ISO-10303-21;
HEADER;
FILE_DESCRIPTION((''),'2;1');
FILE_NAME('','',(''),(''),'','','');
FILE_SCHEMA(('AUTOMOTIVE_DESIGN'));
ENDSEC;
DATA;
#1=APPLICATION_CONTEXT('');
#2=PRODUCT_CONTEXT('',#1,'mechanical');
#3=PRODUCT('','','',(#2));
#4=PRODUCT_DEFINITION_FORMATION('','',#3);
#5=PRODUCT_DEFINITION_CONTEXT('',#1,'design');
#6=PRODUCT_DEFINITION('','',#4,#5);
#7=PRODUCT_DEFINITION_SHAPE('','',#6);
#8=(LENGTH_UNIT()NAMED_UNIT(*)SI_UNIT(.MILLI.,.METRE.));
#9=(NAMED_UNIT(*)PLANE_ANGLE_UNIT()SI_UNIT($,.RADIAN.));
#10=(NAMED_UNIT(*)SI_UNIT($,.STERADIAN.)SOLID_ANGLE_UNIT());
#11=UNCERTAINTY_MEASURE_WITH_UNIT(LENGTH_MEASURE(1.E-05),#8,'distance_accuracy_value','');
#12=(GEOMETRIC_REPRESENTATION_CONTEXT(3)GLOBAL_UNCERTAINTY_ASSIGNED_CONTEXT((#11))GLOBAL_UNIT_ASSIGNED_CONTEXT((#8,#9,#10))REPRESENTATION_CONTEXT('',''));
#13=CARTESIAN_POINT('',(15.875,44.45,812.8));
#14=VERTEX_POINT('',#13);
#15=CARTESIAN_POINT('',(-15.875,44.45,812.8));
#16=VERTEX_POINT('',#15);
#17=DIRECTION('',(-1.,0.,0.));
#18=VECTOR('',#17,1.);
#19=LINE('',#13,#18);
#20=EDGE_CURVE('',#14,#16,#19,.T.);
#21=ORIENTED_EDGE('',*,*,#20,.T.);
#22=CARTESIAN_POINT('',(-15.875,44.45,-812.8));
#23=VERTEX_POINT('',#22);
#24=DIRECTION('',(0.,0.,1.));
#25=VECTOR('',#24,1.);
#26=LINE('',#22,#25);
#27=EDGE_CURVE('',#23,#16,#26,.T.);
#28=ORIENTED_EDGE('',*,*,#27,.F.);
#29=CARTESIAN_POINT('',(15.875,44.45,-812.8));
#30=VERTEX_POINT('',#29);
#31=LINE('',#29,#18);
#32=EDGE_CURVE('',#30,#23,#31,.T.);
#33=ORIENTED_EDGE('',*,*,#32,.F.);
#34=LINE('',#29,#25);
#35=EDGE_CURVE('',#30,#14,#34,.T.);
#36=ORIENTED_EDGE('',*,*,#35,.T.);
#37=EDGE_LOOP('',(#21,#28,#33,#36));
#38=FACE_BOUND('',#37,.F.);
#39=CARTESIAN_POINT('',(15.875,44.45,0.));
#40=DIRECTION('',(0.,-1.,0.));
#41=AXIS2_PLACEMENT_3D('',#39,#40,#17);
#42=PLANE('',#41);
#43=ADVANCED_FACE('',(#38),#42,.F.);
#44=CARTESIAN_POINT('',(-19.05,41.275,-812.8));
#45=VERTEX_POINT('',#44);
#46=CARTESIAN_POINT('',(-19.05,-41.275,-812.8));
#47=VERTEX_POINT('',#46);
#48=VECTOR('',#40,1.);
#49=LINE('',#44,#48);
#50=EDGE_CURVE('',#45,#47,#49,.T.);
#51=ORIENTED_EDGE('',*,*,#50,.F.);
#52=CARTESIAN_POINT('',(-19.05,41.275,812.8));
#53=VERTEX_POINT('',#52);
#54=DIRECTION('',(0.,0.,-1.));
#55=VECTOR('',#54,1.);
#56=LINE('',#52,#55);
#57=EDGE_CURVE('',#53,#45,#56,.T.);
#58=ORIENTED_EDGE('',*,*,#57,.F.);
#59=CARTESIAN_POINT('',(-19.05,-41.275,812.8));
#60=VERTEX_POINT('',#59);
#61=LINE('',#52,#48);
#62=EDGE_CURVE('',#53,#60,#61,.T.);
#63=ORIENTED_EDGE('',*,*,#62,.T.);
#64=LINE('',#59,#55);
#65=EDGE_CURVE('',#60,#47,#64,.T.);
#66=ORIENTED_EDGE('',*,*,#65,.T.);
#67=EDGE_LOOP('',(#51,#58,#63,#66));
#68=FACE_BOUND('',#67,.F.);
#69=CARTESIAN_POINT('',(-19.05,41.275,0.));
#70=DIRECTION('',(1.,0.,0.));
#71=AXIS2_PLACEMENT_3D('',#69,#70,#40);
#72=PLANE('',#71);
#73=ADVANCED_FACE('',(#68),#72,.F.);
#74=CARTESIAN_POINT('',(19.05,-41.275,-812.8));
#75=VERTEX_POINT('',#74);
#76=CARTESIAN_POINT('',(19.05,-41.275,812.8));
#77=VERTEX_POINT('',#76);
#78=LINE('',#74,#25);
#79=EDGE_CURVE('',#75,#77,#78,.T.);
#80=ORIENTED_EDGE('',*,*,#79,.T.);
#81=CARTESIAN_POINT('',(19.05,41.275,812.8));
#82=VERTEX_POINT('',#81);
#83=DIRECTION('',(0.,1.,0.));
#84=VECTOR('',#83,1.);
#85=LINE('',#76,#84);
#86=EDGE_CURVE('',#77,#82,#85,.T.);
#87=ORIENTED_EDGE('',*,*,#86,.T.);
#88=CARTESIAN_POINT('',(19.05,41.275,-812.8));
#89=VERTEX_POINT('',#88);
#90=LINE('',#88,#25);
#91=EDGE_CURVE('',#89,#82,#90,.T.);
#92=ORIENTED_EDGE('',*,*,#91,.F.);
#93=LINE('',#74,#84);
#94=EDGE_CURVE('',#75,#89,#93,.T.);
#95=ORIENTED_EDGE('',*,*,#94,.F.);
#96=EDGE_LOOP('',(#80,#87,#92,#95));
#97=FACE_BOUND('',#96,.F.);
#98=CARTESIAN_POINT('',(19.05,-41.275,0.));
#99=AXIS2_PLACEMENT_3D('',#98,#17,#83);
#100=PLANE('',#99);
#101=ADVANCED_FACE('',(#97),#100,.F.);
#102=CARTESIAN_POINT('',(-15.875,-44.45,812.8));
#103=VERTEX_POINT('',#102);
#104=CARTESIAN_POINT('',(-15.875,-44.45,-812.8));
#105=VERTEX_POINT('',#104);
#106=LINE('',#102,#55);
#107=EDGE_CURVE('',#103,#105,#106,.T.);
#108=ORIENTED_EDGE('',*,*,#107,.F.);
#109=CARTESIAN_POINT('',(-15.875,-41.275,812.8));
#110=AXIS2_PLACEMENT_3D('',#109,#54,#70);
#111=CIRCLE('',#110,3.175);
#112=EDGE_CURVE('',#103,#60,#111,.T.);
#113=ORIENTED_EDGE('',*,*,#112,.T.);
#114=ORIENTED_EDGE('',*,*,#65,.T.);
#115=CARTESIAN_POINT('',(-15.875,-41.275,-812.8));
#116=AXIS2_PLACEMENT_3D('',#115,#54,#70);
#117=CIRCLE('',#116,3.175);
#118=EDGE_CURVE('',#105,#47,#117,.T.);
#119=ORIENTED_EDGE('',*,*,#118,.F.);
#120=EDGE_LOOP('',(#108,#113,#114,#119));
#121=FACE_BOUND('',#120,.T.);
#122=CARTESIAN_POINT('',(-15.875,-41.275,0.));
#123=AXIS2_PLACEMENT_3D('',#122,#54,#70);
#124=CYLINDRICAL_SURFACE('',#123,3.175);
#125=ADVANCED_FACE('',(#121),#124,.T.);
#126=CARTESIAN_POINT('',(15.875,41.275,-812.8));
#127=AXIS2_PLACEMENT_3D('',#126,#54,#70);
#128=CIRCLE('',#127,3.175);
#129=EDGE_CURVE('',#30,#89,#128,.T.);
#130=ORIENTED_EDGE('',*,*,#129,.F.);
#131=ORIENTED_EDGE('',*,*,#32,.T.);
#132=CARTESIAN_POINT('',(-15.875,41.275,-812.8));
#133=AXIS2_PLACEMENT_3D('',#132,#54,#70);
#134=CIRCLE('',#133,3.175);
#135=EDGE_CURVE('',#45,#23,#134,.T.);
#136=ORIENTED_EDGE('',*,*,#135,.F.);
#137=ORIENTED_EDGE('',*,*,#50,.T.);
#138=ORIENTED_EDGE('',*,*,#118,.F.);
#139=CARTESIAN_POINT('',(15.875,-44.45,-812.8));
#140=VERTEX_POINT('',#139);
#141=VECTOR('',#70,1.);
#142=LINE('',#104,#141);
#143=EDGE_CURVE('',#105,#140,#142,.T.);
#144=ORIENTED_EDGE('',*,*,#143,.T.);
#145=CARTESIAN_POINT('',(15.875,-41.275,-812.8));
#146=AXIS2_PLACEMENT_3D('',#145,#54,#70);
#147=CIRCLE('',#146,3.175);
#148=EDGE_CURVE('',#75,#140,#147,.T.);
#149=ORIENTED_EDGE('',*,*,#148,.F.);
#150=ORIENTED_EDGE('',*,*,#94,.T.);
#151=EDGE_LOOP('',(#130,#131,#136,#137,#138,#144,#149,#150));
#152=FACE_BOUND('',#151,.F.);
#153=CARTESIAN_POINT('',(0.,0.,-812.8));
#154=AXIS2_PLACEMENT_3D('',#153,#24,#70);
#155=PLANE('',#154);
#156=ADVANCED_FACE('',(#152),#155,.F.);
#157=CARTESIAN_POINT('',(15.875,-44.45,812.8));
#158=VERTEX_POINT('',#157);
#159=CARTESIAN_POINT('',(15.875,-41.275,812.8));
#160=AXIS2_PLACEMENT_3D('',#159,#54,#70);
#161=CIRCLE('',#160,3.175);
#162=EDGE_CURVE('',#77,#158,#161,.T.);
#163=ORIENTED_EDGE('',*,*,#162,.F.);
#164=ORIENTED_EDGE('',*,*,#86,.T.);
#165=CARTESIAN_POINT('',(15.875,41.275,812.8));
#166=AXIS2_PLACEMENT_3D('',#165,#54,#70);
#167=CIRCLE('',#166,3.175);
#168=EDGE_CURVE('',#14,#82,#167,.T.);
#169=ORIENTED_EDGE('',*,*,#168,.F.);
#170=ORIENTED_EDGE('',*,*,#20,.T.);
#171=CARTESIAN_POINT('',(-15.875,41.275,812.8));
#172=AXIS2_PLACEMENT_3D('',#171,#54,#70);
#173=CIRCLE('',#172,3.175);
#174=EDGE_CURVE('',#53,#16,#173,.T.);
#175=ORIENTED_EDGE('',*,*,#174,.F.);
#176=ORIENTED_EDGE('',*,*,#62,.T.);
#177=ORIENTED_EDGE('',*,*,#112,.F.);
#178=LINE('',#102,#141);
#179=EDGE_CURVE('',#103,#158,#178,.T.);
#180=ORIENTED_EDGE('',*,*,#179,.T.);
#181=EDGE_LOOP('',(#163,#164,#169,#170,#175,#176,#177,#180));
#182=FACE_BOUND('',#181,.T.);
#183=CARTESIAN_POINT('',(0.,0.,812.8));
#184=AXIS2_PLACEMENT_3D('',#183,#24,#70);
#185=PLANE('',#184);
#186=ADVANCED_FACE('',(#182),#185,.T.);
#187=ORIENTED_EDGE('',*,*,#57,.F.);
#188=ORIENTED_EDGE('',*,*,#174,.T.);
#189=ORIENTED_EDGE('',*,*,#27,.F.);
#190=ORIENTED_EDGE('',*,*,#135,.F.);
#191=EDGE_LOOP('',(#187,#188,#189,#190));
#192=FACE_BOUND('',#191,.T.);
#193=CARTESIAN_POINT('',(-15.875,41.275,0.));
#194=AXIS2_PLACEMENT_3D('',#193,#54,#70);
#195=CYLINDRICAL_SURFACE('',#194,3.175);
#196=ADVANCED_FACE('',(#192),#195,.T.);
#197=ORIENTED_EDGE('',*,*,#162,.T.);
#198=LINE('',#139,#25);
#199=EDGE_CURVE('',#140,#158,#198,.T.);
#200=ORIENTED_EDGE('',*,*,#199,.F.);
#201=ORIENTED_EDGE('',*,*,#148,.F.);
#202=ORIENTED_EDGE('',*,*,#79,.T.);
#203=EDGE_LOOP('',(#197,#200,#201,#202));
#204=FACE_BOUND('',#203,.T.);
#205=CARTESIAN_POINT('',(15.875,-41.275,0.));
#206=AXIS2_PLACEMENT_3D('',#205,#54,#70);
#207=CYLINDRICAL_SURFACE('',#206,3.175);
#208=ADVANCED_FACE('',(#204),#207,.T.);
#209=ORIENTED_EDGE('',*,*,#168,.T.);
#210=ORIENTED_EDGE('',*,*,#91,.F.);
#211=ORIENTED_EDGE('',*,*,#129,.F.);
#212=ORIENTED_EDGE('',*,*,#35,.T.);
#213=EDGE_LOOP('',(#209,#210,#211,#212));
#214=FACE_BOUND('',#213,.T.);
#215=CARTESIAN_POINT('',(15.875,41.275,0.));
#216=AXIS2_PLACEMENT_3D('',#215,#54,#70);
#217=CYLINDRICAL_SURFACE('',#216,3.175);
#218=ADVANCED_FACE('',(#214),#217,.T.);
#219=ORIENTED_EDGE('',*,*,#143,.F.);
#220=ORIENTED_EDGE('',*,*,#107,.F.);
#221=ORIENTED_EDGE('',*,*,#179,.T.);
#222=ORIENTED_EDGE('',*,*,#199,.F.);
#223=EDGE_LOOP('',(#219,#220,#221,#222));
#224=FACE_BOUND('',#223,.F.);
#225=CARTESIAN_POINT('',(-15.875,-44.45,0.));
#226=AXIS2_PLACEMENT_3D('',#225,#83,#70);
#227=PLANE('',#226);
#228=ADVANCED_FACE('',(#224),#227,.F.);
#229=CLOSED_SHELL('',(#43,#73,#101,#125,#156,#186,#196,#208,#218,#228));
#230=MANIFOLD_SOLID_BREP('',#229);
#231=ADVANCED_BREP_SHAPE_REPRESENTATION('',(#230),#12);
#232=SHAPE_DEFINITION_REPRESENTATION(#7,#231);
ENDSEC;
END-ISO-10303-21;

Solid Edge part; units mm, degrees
sketch "Sketch1" plane through (0, 0, 0) normal (0, 0, 1) x (1, 0, 0)
  line L0 (-15.875, -44.45) -> (15.875, -44.45)
  arc A0 (19.05, -41.275) -> (15.875, -44.45) centre (15.875, -41.275) cw
  line L1 (19.05, -41.275) -> (19.05, 41.275)
  arc A1 (15.875, 44.45) -> (19.05, 41.275) centre (15.875, 41.275) cw
  line L2 (15.875, 44.45) -> (-15.875, 44.45)
  arc A2 (-19.05, 41.275) -> (-15.875, 44.45) centre (-15.875, 41.275) cw
  line L3 (-19.05, 41.275) -> (-19.05, -41.275)
  arc A3 (-15.875, -44.45) -> (-19.05, -41.275) centre (-15.875, -41.275) cw
  dimension "D1" = 88.9
  dimension "D2" = 38.1
  dimension "D3" = 3.175
extrude "Protrusion1" add sketch "Sketch1" along normal mid plane 1625.6
properties material "Wood, Mahogany"
